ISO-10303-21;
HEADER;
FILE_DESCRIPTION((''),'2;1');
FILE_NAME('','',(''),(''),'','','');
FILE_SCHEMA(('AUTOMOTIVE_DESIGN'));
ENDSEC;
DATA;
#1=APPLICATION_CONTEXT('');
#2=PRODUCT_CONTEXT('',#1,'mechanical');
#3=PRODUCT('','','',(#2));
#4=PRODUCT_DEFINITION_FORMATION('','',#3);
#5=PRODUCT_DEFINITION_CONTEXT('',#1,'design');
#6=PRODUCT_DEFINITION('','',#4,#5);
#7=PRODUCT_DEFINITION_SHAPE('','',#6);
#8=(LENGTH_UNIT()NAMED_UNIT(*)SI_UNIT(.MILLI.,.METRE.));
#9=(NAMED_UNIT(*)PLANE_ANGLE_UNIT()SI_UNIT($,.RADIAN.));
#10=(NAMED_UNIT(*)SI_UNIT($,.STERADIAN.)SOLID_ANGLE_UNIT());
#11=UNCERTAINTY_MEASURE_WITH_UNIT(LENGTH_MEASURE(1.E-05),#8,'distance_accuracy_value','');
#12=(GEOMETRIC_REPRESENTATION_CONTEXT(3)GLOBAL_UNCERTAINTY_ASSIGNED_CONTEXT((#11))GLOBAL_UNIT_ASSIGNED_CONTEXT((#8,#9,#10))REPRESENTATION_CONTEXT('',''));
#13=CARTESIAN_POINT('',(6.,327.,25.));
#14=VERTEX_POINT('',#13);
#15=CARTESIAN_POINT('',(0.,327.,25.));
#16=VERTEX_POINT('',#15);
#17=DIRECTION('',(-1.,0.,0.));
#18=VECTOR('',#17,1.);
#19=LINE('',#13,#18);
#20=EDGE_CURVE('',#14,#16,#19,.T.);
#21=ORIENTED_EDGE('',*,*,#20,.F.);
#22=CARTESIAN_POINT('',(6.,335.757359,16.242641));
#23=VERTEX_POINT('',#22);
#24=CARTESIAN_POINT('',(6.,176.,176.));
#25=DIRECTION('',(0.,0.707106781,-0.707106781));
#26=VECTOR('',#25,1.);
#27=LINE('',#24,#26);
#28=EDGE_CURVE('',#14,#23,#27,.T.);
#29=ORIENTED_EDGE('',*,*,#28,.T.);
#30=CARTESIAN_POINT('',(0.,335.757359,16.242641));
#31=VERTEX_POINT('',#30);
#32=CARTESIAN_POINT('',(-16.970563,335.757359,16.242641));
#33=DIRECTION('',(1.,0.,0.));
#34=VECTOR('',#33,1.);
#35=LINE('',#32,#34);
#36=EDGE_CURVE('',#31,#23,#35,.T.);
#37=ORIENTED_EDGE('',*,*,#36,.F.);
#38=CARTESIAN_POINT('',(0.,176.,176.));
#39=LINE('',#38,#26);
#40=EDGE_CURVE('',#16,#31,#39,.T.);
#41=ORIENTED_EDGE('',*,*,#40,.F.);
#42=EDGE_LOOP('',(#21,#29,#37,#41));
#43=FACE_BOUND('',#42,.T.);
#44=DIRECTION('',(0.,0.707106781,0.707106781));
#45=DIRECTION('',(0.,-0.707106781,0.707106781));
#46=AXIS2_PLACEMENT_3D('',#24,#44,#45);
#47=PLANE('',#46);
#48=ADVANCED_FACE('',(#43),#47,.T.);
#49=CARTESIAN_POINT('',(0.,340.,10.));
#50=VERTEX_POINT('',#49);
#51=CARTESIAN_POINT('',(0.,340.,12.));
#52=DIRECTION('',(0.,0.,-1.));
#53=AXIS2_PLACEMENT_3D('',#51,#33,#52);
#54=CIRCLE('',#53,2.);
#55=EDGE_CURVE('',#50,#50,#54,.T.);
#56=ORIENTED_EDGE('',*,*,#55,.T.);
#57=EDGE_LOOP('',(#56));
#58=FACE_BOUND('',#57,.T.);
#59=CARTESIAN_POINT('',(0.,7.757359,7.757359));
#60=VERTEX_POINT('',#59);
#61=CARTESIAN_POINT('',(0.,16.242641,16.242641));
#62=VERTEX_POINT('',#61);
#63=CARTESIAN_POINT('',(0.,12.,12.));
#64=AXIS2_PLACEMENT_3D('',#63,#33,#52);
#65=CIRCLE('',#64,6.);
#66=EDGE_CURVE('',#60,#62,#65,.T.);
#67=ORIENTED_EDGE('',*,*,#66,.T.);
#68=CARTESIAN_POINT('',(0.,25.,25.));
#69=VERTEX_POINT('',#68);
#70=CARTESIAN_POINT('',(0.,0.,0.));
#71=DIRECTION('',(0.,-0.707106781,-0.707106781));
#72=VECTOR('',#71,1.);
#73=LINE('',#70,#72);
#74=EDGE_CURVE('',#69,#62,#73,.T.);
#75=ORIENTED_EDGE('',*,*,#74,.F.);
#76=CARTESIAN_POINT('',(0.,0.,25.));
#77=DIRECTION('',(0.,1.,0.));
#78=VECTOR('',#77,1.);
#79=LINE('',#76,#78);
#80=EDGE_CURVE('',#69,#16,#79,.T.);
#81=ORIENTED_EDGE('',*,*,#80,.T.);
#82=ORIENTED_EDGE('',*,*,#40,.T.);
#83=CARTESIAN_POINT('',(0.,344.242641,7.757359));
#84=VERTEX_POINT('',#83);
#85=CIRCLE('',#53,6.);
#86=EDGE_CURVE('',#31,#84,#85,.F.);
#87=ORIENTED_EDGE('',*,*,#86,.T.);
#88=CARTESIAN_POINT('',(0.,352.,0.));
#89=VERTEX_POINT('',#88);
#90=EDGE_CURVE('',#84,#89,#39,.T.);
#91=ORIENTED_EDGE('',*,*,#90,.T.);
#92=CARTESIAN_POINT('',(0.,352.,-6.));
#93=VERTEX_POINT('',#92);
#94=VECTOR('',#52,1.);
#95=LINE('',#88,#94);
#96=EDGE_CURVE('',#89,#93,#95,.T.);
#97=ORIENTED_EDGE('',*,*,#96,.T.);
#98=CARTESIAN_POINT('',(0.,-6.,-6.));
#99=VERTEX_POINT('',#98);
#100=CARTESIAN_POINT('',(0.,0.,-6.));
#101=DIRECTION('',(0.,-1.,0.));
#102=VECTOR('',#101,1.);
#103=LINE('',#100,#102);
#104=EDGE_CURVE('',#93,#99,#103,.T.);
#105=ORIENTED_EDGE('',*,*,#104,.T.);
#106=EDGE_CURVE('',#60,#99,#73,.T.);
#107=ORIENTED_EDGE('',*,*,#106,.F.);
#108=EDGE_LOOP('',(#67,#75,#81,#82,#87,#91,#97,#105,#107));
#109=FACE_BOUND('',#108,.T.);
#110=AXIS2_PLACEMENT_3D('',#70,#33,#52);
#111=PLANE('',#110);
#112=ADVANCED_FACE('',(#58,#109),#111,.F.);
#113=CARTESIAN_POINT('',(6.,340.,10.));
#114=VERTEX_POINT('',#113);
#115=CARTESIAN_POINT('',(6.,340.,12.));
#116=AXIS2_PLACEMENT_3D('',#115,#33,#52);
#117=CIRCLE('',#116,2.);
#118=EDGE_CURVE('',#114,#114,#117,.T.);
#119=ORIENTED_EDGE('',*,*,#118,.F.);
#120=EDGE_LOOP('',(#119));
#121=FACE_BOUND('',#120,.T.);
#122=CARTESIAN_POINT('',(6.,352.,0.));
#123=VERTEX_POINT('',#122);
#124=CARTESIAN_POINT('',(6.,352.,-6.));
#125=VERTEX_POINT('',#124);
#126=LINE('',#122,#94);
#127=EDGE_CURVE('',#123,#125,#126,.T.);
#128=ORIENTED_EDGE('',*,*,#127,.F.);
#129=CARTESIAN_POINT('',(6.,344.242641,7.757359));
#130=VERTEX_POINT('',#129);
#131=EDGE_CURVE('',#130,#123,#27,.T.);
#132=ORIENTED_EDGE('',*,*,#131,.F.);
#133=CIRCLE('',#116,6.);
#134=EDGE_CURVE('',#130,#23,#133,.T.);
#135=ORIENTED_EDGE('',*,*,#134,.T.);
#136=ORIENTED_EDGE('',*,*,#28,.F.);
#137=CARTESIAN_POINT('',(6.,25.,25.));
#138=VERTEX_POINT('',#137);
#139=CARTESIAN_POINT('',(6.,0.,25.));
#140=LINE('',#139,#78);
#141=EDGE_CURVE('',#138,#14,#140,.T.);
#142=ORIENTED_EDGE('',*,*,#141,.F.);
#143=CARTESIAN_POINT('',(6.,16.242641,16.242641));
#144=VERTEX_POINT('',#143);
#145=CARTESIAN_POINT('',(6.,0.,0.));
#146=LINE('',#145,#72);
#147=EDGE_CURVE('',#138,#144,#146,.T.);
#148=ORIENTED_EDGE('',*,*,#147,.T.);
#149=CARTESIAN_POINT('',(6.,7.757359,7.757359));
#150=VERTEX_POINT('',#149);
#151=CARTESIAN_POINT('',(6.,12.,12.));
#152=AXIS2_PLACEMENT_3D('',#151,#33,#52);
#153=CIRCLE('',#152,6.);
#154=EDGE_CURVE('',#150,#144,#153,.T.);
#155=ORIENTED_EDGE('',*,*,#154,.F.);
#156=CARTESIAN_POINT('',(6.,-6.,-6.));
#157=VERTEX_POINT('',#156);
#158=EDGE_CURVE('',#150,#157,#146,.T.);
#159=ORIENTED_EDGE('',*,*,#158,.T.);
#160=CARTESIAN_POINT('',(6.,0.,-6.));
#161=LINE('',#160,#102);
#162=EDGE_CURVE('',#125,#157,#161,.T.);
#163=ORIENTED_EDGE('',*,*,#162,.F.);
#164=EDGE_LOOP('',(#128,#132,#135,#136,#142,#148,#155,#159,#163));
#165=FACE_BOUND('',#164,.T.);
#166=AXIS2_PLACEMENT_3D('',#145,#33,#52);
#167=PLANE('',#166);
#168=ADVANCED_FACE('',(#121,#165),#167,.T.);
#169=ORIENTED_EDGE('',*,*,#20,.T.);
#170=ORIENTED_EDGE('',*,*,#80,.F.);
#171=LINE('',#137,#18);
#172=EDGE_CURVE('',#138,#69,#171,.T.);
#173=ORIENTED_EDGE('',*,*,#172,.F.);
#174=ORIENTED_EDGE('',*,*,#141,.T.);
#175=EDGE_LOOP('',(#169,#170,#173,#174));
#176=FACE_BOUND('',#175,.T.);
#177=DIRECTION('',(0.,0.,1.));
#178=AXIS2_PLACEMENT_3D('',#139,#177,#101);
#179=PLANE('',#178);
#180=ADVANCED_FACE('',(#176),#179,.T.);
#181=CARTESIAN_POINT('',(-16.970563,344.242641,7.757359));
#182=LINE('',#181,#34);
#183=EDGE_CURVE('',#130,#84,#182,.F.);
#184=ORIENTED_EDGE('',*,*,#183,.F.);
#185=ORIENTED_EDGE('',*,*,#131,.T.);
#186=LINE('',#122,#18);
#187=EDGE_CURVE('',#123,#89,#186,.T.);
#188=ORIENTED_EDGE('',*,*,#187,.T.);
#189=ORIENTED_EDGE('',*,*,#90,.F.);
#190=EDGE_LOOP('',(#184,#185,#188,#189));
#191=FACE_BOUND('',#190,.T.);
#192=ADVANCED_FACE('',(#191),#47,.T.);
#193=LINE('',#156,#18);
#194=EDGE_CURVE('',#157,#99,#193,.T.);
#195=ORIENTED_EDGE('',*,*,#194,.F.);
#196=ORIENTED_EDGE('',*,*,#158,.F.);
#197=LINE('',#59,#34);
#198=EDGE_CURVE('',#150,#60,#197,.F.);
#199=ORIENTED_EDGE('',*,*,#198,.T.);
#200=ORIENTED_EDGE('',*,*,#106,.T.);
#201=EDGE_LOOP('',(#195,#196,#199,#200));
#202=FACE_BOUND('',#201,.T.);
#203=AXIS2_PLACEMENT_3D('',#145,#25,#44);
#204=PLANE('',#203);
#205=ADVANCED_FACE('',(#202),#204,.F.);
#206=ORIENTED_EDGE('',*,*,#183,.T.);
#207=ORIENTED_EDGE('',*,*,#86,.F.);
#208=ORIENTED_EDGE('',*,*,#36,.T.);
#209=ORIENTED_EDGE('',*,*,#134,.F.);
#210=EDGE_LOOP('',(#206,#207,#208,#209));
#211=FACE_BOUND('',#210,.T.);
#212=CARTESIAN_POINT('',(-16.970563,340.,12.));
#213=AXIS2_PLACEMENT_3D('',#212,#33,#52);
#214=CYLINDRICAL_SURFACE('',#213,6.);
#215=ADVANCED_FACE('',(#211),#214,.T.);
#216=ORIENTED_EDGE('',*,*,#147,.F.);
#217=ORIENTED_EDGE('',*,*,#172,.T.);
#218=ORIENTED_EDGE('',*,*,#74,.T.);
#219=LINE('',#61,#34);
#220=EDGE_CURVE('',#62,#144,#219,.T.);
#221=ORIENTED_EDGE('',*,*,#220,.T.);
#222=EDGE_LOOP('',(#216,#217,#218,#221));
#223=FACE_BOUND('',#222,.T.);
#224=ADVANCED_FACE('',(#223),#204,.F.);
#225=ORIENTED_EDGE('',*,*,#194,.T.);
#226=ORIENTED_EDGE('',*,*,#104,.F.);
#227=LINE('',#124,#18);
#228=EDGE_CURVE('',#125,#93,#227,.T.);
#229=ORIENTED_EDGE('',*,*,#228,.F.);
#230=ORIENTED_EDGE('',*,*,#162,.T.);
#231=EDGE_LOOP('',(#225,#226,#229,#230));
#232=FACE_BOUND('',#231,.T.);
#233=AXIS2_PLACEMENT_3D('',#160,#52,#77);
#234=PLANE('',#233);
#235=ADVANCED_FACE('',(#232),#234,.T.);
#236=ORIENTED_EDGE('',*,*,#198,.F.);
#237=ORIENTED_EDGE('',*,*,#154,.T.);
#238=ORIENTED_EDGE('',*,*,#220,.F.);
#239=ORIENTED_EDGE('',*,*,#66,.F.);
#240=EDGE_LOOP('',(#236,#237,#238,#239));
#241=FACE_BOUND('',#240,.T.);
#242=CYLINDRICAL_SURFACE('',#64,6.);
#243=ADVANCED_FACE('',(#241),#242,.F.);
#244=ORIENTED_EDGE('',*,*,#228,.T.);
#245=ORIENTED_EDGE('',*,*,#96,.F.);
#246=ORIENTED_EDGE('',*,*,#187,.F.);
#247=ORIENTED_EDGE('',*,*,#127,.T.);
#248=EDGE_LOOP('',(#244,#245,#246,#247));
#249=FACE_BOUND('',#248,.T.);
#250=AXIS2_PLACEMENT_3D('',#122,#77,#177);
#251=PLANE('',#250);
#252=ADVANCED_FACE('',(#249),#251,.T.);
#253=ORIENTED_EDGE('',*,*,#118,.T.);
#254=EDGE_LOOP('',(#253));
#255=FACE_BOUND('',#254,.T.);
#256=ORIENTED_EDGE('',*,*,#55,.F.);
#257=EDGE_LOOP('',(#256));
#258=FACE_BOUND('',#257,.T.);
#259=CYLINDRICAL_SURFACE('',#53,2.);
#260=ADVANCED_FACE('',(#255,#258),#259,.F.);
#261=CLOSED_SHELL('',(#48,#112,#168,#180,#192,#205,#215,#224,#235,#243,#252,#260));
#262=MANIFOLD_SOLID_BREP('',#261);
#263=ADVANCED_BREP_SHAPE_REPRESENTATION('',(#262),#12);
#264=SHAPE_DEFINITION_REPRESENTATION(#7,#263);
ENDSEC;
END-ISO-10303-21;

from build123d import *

# Parameters (mm, degrees)
BOSS_EXTRUDE1_DEPTH = 6
SKETCH4_R           = 6
BOSS_EXTRUDE2_DEPTH = 6
SKETCH3_R           = 2
SKETCH3_R_2         = 6
CUT_EXTRUDE1_DEPTH  = 353.937671551


with BuildPart() as part:
    # Sketch2 → Boss-Extrude1 (new body)
    with BuildSketch(Plane(origin=(0, 0, 0), x_dir=(0, 0, -1), z_dir=(1, 0, 0))):
        Polygon((6, 352), (0, 352), (-25, 327), (-25, 25), (6, -6), align=None)
    extrude(amount=BOSS_EXTRUDE1_DEPTH)

    # Sketch4 → Boss-Extrude2 (add)
    with BuildSketch(Plane(origin=(6, 0, 0), x_dir=(0, 0, -1), z_dir=(1, 0, 0))):
        with Locations((-12, 340)):
            Circle(SKETCH4_R)
    extrude(amount=-BOSS_EXTRUDE2_DEPTH)

    # Sketch3 → Cut-Extrude1 (cut, through all)
    with BuildSketch(Plane(origin=(6, 0, 0), x_dir=(0, 0, -1), z_dir=(1, 0, 0))):
        with Locations((-12, 340)):
            Circle(SKETCH3_R)
        with Locations((-12, 12)):
            Circle(SKETCH3_R_2)
    extrude(amount=-CUT_EXTRUDE1_DEPTH, mode=Mode.SUBTRACT)


solid = part.part
